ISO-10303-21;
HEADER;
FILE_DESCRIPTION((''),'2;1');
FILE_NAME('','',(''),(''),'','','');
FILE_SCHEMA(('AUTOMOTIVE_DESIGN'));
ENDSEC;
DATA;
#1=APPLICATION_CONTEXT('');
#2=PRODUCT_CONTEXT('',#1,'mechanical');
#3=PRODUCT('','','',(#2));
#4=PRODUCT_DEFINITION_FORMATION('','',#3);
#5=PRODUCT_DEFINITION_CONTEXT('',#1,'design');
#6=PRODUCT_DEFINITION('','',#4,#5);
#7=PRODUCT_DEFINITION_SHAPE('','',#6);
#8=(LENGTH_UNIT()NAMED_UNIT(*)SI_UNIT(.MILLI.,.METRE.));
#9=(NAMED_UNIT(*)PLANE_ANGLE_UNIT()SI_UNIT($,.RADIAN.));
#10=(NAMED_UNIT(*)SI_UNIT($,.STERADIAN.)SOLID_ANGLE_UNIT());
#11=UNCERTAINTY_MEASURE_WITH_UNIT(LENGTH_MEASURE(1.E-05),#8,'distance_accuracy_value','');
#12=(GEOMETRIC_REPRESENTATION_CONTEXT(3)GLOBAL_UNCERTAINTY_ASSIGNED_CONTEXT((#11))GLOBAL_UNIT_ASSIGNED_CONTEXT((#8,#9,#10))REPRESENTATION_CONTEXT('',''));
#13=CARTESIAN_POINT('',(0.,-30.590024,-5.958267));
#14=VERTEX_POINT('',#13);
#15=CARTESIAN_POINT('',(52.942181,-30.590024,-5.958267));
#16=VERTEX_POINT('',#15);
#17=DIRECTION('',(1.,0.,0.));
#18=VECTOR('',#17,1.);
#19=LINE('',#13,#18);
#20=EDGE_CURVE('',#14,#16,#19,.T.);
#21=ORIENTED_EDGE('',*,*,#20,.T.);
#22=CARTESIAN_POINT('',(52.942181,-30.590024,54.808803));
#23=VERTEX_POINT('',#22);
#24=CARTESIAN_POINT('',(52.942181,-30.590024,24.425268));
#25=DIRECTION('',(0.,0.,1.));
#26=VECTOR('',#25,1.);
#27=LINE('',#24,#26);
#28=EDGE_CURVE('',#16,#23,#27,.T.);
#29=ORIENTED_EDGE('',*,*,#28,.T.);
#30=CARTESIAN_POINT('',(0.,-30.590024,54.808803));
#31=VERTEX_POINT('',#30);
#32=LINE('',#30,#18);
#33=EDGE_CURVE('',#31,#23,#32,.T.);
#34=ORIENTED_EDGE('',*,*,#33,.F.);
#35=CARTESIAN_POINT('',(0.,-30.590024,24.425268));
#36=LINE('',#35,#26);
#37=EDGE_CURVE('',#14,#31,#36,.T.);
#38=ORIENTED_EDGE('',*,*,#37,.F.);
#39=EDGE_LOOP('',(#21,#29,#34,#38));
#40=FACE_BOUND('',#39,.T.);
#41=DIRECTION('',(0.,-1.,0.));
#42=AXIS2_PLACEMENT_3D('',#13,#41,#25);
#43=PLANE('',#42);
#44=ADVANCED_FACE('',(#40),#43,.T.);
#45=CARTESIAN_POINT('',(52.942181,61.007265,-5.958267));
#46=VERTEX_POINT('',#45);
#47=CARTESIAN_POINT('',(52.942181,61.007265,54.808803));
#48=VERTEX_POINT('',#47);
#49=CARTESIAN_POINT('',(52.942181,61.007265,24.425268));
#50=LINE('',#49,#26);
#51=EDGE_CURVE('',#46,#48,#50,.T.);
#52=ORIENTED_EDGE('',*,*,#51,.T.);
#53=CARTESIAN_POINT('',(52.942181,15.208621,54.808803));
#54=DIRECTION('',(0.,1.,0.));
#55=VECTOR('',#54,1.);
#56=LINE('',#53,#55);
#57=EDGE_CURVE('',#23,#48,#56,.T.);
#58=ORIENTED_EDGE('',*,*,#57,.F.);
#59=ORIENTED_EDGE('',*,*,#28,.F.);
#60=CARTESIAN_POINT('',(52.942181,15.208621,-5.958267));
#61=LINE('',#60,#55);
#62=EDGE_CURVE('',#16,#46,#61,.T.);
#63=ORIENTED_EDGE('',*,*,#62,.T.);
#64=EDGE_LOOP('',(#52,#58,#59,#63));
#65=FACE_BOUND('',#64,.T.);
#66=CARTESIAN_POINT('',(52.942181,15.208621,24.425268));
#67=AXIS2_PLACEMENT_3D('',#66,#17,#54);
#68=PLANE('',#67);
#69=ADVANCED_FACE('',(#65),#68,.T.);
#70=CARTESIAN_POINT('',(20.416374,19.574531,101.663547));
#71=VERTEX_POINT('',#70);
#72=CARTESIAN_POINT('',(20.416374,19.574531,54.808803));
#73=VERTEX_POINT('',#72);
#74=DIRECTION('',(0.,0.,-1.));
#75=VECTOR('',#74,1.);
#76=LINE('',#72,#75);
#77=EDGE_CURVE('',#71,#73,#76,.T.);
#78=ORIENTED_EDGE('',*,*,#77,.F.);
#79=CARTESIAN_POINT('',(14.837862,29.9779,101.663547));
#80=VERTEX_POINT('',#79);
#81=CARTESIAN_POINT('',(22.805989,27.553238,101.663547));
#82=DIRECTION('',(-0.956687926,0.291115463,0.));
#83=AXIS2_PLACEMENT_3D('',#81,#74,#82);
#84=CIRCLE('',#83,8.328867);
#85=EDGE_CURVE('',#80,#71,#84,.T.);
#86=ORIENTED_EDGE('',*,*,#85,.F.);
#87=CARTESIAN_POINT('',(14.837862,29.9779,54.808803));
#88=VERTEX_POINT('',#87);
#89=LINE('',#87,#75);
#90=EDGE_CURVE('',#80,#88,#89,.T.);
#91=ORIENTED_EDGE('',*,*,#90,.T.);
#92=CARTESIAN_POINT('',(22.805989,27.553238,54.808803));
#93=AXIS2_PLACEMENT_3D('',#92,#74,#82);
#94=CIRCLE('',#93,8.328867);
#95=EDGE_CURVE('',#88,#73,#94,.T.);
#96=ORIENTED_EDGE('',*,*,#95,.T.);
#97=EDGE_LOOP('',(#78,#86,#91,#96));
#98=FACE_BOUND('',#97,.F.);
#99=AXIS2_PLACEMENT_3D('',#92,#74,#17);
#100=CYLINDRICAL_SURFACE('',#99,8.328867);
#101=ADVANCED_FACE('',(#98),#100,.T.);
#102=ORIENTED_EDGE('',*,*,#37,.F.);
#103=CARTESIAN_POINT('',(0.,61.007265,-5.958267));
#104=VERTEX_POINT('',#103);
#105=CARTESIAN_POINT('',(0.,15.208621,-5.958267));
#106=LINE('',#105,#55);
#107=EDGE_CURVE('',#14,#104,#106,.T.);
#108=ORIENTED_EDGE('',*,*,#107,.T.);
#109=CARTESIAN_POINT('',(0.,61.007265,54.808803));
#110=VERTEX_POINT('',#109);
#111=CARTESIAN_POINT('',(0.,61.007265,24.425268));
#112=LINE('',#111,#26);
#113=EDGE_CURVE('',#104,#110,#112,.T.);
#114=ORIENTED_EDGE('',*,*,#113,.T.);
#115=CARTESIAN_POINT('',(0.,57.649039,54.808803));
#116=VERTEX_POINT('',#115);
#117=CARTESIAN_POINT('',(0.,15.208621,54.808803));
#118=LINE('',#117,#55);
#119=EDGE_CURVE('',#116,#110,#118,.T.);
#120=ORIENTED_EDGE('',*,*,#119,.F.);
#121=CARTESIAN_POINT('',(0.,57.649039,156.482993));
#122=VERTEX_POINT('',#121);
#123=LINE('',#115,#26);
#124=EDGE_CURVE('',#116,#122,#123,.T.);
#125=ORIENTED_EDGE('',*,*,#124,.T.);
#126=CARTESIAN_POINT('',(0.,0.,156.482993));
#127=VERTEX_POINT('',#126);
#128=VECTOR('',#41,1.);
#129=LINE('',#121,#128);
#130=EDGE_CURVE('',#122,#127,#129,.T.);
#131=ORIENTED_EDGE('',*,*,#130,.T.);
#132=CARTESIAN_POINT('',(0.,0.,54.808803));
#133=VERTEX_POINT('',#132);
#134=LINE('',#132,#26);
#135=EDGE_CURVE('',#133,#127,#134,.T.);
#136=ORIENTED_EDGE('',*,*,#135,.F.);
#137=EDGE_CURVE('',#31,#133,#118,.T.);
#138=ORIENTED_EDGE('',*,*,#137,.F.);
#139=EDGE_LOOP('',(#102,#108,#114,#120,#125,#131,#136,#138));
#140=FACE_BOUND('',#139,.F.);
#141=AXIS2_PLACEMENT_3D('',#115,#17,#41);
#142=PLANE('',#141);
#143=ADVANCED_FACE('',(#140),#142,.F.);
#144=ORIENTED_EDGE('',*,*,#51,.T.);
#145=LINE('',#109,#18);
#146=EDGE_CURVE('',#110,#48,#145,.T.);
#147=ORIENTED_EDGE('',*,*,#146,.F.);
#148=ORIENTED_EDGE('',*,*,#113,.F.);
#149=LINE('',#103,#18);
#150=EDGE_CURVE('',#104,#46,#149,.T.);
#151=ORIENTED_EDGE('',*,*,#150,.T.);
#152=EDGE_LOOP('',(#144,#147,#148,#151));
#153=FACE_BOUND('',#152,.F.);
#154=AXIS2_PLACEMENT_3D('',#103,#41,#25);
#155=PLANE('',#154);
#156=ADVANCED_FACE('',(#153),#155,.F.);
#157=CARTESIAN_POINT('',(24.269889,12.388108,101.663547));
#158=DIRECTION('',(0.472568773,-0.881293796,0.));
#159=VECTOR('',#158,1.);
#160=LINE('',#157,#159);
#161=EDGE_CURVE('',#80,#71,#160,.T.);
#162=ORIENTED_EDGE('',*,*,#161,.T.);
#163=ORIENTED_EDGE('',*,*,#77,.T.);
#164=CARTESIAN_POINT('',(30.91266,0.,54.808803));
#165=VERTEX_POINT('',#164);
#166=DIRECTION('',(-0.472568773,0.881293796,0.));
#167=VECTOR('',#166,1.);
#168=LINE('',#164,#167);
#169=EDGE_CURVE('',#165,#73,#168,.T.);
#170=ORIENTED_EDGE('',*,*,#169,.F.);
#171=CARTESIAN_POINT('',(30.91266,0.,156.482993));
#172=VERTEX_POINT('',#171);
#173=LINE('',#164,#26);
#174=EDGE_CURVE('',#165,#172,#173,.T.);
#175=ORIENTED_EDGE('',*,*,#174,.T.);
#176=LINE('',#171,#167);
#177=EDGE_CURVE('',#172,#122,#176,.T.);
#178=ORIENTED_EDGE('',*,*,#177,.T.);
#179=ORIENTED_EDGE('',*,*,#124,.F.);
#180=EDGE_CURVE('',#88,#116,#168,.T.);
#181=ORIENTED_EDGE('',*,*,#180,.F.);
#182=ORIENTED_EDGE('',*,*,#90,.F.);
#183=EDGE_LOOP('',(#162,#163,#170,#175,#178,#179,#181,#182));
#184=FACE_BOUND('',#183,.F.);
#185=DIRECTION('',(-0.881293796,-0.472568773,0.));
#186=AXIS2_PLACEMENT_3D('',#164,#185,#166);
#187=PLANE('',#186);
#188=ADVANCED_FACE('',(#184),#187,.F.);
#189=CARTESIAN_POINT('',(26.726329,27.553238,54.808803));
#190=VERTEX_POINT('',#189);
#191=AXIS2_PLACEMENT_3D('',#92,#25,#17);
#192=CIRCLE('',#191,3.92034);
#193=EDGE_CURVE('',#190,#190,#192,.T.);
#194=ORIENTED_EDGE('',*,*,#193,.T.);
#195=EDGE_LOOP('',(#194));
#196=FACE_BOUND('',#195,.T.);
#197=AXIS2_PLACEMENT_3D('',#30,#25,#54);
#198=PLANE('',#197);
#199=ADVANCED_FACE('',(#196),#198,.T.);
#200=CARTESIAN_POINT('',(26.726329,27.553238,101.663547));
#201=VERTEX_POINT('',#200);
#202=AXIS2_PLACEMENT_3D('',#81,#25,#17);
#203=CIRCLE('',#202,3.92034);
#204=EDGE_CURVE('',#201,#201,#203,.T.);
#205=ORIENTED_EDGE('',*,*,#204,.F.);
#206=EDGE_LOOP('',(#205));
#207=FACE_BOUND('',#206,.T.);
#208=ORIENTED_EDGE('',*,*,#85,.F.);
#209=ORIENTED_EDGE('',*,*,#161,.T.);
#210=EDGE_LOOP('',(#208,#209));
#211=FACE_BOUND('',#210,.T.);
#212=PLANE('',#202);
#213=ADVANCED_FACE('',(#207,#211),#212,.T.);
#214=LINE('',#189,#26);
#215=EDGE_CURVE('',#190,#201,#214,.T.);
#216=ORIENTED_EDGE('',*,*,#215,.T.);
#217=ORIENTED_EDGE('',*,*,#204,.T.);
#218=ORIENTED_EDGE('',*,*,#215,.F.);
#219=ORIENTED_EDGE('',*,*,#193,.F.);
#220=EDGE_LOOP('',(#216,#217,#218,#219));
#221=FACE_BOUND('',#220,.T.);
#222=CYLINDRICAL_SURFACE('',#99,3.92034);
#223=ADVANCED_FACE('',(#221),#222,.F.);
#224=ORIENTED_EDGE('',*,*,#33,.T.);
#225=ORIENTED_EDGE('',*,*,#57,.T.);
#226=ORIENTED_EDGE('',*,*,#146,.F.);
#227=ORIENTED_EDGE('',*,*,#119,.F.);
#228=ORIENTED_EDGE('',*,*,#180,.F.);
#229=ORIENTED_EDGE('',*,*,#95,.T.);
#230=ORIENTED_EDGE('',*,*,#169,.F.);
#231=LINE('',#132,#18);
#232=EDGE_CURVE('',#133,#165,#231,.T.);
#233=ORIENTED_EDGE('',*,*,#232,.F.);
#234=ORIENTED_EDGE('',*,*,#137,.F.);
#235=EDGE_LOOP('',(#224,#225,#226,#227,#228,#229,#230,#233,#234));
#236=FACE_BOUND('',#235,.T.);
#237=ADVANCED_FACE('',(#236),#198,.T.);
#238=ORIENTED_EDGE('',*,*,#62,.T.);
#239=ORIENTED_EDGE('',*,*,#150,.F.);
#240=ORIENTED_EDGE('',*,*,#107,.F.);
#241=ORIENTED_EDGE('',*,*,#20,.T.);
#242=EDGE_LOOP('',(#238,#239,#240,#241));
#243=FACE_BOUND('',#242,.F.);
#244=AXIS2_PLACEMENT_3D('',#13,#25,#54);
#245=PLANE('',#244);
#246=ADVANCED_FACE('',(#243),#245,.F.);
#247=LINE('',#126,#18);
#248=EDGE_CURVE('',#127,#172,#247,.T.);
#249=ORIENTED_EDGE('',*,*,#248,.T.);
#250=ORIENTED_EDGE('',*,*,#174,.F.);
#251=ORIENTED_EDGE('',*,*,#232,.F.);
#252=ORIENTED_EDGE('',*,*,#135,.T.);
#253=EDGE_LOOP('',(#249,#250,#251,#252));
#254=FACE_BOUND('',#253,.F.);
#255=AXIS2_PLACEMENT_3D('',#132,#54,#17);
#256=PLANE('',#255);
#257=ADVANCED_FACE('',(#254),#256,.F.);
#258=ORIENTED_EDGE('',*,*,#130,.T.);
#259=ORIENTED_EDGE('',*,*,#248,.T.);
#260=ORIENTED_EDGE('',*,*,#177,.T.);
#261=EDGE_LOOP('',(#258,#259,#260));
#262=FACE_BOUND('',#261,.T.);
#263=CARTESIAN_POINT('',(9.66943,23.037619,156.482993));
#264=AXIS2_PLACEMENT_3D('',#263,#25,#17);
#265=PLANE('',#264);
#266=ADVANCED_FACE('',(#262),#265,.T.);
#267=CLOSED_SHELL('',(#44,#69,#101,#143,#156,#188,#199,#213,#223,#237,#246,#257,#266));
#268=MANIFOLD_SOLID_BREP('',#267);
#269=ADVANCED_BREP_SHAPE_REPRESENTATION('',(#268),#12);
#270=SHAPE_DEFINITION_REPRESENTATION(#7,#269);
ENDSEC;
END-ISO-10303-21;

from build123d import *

# Parameters (mm, degrees)
F0_W     = 91.597288847
F0_H     = 60.767069459
F1_DEPTH = 52.9421810061
F2_R     = 8.3288668083
F2_R_2   = 3.9203402896
F3_DEPTH = 46.854743734
F6_DEPTH = 101.6741897911


with BuildPart() as f1:
    # F0 (on Right) → F1 (new body)
    with BuildSketch(Plane.YZ):
        with Locations((15.2086205781, 24.4252681732)):
            Rectangle(F0_W, F0_H)
    extrude(amount=F1_DEPTH)

    # F2 (on face) → F3 (join)
    with BuildSketch(Plane.XY.offset(54.8088029027)):
        with Locations((22.8059887886, 27.5532379746)):
            Circle(F2_R)
        with Locations((22.8059887886, 27.5532379746)):
            Circle(F2_R_2, mode=Mode.SUBTRACT)
    extrude(amount=F3_DEPTH)

    # F5 (on face) → F6 (join)
    with BuildSketch(Plane.XY.offset(54.8088029027)):
        Polygon((0, 0), (30.9126600623, 0), (0, 57.6490387321), align=None)
    extrude(amount=F6_DEPTH)


solid = f1.part
